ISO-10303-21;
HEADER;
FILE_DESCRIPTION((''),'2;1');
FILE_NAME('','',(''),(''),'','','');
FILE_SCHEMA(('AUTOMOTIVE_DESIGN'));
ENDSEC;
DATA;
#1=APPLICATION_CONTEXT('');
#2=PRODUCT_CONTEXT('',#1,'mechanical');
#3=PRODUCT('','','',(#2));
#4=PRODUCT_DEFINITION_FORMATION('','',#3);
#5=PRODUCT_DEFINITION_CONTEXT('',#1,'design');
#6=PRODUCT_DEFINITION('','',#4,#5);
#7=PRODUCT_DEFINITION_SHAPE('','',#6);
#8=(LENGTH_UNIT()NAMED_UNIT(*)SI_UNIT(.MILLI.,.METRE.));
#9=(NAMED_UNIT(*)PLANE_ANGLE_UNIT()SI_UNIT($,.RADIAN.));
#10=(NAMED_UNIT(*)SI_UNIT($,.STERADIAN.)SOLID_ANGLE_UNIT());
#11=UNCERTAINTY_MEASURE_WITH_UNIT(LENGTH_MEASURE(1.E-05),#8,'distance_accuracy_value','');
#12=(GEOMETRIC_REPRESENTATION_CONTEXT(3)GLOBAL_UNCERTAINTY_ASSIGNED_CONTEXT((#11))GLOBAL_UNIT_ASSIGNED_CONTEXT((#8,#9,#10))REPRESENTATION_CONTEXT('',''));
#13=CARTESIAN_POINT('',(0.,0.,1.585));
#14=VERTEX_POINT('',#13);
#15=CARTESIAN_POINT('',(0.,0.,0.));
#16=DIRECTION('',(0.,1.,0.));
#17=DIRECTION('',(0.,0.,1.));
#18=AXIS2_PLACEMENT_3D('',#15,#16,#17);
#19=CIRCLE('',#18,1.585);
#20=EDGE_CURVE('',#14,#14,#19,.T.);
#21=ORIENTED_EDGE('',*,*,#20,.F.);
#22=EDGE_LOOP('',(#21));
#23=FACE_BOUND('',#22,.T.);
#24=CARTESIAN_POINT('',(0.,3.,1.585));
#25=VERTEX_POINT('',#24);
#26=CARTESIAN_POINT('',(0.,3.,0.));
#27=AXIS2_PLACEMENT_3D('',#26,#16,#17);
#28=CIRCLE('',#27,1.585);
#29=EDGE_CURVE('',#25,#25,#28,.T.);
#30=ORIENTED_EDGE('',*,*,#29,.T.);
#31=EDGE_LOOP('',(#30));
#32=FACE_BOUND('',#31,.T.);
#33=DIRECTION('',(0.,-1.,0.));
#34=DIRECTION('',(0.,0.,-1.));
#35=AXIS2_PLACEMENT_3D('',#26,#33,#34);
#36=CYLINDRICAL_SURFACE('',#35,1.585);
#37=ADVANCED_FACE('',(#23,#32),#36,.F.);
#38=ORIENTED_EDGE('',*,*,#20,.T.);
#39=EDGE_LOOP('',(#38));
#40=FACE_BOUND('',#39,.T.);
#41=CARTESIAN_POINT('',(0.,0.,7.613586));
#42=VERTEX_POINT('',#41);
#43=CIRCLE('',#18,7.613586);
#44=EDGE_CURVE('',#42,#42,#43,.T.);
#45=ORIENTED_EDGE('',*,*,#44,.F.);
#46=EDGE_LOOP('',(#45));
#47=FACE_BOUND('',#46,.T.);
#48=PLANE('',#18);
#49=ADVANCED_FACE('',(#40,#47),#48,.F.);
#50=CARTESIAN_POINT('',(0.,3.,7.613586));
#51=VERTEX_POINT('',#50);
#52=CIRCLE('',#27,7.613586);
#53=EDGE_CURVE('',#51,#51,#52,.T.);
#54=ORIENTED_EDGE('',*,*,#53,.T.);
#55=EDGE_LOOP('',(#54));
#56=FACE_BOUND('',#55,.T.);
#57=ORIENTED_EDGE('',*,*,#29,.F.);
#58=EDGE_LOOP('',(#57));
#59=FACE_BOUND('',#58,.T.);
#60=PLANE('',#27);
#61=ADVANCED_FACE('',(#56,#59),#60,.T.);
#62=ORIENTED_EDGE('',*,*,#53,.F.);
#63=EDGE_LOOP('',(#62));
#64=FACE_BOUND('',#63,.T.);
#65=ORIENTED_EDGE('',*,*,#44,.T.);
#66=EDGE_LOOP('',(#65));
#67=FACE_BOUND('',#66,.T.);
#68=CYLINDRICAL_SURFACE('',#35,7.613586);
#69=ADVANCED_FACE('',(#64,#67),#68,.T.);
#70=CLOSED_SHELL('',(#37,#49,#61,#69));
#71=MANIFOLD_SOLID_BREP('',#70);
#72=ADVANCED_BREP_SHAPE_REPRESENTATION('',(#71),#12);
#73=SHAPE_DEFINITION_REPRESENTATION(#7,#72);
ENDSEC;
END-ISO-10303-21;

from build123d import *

# Parameters (mm, degrees)
SKETCH1_R           = 7.613586195
SKETCH1_R_2         = 1.585
BOSS_EXTRUDE1_DEPTH = 3


with BuildPart() as part:
    # Sketch1 → Boss-Extrude1 (new body)
    with BuildSketch(Plane(origin=(0, 0, 0), x_dir=(1, 0, 0), z_dir=(0, 1, 0))):
        with Locations(Location((0, 0, 0), (0, 0, 270))):
            Circle(SKETCH1_R)
        with Locations(Location((0, 0, 0), (0, 0, 270))):
            Circle(SKETCH1_R_2, mode=Mode.SUBTRACT)
    extrude(amount=BOSS_EXTRUDE1_DEPTH)


solid = part.part
